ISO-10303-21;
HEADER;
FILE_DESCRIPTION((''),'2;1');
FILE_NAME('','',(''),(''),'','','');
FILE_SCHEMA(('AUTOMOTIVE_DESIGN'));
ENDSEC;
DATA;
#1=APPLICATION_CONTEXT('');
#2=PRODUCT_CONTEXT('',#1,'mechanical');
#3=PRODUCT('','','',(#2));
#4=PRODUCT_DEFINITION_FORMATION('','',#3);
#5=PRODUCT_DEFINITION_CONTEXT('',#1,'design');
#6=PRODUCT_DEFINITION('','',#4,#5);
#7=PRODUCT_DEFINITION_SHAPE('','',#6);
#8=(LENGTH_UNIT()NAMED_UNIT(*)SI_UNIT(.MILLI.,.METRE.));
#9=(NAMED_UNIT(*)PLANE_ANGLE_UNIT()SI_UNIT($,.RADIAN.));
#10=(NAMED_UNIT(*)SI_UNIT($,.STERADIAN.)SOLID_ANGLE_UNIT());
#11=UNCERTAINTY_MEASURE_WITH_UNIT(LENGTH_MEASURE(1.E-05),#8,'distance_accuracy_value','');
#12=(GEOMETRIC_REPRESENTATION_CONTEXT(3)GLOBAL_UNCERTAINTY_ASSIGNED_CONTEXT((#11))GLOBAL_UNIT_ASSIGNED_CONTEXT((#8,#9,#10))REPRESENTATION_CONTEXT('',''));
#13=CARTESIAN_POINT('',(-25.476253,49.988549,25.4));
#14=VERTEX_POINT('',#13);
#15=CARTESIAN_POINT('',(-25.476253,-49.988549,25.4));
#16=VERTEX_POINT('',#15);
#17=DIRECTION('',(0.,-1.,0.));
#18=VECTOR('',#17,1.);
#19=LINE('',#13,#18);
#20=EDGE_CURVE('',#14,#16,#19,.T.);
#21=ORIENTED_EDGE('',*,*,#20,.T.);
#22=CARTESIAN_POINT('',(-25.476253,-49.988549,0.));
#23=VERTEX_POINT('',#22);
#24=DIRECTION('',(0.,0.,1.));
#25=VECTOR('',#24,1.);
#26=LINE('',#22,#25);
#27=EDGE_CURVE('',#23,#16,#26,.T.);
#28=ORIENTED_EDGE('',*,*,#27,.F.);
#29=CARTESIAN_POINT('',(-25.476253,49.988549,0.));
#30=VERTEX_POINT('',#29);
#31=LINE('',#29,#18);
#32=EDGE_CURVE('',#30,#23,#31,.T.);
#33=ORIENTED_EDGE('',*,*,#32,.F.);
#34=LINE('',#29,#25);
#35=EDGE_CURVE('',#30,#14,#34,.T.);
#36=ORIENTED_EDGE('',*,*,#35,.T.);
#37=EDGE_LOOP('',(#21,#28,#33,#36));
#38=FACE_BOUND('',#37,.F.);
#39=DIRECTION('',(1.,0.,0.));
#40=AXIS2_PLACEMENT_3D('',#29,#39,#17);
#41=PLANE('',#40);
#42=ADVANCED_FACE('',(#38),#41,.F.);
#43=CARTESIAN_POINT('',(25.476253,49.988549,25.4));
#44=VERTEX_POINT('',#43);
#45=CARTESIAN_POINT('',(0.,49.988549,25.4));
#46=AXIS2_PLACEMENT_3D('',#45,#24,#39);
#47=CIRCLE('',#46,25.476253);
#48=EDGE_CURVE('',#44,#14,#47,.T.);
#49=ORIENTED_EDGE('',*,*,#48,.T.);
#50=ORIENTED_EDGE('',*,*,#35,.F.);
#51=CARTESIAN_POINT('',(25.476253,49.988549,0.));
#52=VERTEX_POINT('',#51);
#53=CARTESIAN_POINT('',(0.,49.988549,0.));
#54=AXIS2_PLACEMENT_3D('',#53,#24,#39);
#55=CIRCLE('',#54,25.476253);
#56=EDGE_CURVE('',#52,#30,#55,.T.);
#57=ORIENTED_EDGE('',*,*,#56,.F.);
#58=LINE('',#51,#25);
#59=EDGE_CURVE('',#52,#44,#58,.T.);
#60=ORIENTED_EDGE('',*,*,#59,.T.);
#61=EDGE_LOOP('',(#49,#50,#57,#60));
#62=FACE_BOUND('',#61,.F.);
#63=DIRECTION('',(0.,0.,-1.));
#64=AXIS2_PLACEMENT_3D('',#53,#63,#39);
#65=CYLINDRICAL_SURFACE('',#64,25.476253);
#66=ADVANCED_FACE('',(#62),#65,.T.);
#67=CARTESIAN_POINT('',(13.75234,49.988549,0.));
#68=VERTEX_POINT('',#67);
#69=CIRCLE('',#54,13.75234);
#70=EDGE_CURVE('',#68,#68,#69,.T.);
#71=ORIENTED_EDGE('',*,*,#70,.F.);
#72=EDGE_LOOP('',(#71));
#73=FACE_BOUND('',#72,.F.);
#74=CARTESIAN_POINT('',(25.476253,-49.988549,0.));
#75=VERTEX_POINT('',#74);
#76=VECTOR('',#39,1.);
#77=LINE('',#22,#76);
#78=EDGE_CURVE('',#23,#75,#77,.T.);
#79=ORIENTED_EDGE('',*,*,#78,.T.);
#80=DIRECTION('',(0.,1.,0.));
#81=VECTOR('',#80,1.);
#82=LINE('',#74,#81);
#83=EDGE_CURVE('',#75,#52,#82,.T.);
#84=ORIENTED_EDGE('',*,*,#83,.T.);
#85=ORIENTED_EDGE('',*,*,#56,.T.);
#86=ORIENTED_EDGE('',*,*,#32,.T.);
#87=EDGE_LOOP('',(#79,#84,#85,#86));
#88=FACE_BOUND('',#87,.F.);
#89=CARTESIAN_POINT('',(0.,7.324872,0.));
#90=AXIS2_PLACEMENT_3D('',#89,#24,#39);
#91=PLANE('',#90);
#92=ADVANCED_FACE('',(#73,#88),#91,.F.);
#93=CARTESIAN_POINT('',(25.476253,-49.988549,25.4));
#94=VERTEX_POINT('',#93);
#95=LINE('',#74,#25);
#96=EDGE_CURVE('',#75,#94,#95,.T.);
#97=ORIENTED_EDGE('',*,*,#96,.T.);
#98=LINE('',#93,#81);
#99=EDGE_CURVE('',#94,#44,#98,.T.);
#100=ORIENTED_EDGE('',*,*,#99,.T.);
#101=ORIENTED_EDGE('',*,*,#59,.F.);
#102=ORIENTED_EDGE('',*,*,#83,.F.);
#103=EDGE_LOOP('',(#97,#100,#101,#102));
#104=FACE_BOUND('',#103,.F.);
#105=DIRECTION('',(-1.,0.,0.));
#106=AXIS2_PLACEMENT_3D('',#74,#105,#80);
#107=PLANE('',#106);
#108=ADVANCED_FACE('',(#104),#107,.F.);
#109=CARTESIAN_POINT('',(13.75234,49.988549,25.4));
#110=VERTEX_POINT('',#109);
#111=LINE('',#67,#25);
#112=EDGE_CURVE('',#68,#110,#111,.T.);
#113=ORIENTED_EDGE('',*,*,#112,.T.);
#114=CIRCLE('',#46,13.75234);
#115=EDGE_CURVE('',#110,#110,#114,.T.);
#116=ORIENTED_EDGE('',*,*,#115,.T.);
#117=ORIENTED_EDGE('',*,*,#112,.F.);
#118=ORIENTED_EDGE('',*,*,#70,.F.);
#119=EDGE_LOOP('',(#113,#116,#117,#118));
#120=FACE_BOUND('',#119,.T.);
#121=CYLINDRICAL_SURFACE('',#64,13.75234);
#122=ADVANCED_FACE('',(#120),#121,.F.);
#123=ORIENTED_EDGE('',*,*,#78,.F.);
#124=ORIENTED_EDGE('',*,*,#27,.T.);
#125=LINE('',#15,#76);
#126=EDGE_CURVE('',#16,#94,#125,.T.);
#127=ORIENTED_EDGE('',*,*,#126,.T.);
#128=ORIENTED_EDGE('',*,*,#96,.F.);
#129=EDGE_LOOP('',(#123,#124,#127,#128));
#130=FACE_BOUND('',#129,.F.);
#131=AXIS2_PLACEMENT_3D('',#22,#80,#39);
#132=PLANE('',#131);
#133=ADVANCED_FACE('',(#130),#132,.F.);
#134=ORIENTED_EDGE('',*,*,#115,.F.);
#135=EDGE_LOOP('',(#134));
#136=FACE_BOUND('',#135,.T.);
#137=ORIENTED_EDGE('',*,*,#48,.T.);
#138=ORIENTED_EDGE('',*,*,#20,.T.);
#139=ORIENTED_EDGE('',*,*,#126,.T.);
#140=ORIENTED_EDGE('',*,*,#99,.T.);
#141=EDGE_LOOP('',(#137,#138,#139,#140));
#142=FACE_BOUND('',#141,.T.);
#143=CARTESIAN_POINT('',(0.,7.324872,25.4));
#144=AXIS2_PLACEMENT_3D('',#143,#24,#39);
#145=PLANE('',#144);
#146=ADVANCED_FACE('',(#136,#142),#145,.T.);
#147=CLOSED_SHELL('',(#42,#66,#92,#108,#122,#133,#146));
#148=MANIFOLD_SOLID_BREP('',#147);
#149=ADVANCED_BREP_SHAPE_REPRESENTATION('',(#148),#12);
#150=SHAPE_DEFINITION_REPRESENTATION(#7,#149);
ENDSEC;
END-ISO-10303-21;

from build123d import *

# Parameters (mm, degrees)
F0_R     = 13.75234
F1_DEPTH = 25.4


with BuildPart() as f1:
    # F0 (on Top) → F1 (new body)
    with BuildSketch(Plane.XY):
        with BuildLine():
            Line((-25.476253, 49.988549), (-25.476253, -49.988549))
            Line((-25.476253, -49.988549), (25.476253, -49.988549))
            Line((25.476253, -49.988549), (25.476253, 49.988549))
            ThreePointArc((25.476253, 49.988549), (0, 75.464802), (-25.476253, 49.988549))
        make_face()
        with Locations((0, 49.988549)):
            Circle(F0_R, mode=Mode.SUBTRACT)
    extrude(amount=F1_DEPTH)


solid = f1.part
